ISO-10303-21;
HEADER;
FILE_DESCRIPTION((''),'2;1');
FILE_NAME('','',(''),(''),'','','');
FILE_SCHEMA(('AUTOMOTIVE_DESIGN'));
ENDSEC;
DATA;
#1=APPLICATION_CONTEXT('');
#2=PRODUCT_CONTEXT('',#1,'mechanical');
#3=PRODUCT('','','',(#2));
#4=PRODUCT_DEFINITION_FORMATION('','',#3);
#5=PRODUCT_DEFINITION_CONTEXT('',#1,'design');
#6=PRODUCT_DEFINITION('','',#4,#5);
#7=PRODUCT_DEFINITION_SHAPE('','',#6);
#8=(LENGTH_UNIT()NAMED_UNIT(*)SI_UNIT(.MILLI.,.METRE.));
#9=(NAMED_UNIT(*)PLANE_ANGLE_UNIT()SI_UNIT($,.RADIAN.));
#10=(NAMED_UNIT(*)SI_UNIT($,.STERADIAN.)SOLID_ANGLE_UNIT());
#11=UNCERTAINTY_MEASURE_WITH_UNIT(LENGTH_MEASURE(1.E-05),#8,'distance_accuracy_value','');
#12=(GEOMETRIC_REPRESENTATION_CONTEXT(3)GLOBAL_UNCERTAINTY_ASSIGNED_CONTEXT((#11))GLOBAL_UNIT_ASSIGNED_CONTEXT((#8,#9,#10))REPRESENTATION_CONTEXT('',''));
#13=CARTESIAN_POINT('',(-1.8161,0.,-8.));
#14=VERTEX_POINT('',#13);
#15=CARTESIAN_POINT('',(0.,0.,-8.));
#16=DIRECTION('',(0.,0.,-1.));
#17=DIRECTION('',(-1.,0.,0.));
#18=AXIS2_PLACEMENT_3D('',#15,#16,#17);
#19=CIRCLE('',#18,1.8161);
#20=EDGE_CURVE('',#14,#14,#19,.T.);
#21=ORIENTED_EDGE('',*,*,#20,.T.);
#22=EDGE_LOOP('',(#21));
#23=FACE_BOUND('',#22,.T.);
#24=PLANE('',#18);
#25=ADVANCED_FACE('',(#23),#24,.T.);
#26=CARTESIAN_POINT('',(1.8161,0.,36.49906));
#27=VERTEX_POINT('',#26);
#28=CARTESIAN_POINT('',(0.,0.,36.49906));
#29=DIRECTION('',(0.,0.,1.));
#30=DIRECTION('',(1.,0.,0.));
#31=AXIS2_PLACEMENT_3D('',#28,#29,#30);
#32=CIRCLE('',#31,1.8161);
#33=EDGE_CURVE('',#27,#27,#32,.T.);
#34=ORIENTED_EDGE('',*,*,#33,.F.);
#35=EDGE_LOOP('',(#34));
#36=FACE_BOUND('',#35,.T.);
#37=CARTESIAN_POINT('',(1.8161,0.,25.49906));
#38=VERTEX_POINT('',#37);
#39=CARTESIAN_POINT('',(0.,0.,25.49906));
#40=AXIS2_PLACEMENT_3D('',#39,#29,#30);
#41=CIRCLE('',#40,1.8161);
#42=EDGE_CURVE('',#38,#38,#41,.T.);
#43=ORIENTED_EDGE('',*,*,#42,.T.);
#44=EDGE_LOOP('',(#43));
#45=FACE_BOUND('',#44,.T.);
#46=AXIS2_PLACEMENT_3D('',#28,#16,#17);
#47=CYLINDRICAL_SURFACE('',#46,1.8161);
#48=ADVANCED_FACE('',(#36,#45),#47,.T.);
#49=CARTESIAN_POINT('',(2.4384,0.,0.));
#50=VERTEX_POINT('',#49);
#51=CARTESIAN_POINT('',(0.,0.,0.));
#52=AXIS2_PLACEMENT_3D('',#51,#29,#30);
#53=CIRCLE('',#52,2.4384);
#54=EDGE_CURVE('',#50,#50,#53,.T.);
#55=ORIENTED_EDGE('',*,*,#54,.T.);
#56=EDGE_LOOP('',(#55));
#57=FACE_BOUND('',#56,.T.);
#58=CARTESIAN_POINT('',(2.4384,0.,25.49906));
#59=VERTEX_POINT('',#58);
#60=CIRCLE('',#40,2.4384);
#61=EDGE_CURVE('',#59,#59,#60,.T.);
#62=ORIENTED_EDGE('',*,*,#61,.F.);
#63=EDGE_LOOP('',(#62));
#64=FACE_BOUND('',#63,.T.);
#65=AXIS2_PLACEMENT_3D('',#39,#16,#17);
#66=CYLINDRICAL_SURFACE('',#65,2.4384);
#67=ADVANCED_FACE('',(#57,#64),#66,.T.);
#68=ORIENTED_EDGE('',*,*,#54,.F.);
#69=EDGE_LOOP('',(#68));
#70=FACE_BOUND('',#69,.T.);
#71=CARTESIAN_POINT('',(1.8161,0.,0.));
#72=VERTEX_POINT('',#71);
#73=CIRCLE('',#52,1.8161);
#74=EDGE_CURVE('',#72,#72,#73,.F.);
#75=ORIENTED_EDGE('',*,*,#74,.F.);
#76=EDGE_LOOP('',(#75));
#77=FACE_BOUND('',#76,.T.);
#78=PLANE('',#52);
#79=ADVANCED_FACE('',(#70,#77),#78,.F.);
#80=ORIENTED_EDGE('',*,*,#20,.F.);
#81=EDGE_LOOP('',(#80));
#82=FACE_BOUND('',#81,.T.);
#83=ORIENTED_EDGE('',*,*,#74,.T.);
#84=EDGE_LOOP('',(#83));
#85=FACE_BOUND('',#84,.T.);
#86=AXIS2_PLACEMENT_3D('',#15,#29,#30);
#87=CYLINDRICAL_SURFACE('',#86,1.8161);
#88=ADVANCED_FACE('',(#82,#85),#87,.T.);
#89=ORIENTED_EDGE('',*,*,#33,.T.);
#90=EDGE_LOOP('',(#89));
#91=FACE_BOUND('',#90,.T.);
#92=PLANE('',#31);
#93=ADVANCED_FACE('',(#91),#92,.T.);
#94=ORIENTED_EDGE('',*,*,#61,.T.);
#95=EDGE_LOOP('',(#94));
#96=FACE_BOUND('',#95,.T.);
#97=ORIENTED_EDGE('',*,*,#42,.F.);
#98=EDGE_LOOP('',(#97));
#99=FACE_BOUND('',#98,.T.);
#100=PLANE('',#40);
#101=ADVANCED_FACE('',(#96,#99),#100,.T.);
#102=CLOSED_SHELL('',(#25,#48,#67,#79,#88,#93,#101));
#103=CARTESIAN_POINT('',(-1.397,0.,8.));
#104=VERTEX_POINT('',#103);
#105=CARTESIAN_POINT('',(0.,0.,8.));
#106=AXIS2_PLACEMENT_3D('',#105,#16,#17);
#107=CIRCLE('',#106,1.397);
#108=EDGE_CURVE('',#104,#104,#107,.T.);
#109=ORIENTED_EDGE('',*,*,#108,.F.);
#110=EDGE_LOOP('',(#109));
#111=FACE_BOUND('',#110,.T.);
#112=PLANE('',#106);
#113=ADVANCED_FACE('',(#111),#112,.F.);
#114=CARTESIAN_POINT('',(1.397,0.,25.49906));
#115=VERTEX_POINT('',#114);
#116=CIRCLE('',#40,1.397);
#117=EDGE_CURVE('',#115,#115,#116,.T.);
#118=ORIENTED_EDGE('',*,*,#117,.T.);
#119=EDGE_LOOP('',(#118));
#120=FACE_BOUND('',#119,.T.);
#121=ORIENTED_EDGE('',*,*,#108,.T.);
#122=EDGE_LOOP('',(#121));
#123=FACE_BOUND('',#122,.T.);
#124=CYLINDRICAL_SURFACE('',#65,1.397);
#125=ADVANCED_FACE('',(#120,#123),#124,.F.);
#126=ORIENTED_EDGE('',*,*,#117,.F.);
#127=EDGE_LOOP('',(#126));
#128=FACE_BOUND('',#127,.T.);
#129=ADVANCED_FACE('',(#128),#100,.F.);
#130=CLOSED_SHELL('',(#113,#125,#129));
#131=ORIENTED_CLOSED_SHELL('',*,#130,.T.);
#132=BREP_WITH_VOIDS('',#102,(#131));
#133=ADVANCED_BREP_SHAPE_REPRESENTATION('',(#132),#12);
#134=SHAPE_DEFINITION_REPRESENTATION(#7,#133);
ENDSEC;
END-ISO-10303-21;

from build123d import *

# Parameters (mm, degrees)
SKETCH1_R               = 2.4384
SKETCH1_R_2             = 1.397
BOSS_EXTRUDE1_DEPTH     = 25.49906
CROQUIS1_R              = 1.8161
SALIENTE_EXTRUIR1_DEPTH = 11
CROQUIS2_R              = 1.8161
SALIENTE_EXTRUIR2_DEPTH = 8


with BuildPart() as part:
    # Sketch1 → Boss-Extrude1 (new body)
    with BuildSketch(Plane.XY):
        Circle(SKETCH1_R)
        Circle(SKETCH1_R_2, mode=Mode.SUBTRACT)
    extrude(amount=BOSS_EXTRUDE1_DEPTH)

    # Croquis1 → Saliente-Extruir1 (add)
    with BuildSketch(Plane.XY.offset(25.49906)):
        Circle(CROQUIS1_R)
    extrude(amount=SALIENTE_EXTRUIR1_DEPTH)

    # Croquis2 → Saliente-Extruir2 (add, symmetric)
    with BuildSketch(Plane(origin=(0, 0, 0), x_dir=(-1, 0, 0), z_dir=(0, 0, -1))):
        with Locations(Location((0, 0, 0), (0, 0, 180))):
            Circle(CROQUIS2_R)
    extrude(amount=SALIENTE_EXTRUIR2_DEPTH, both=True)


solid = part.part
